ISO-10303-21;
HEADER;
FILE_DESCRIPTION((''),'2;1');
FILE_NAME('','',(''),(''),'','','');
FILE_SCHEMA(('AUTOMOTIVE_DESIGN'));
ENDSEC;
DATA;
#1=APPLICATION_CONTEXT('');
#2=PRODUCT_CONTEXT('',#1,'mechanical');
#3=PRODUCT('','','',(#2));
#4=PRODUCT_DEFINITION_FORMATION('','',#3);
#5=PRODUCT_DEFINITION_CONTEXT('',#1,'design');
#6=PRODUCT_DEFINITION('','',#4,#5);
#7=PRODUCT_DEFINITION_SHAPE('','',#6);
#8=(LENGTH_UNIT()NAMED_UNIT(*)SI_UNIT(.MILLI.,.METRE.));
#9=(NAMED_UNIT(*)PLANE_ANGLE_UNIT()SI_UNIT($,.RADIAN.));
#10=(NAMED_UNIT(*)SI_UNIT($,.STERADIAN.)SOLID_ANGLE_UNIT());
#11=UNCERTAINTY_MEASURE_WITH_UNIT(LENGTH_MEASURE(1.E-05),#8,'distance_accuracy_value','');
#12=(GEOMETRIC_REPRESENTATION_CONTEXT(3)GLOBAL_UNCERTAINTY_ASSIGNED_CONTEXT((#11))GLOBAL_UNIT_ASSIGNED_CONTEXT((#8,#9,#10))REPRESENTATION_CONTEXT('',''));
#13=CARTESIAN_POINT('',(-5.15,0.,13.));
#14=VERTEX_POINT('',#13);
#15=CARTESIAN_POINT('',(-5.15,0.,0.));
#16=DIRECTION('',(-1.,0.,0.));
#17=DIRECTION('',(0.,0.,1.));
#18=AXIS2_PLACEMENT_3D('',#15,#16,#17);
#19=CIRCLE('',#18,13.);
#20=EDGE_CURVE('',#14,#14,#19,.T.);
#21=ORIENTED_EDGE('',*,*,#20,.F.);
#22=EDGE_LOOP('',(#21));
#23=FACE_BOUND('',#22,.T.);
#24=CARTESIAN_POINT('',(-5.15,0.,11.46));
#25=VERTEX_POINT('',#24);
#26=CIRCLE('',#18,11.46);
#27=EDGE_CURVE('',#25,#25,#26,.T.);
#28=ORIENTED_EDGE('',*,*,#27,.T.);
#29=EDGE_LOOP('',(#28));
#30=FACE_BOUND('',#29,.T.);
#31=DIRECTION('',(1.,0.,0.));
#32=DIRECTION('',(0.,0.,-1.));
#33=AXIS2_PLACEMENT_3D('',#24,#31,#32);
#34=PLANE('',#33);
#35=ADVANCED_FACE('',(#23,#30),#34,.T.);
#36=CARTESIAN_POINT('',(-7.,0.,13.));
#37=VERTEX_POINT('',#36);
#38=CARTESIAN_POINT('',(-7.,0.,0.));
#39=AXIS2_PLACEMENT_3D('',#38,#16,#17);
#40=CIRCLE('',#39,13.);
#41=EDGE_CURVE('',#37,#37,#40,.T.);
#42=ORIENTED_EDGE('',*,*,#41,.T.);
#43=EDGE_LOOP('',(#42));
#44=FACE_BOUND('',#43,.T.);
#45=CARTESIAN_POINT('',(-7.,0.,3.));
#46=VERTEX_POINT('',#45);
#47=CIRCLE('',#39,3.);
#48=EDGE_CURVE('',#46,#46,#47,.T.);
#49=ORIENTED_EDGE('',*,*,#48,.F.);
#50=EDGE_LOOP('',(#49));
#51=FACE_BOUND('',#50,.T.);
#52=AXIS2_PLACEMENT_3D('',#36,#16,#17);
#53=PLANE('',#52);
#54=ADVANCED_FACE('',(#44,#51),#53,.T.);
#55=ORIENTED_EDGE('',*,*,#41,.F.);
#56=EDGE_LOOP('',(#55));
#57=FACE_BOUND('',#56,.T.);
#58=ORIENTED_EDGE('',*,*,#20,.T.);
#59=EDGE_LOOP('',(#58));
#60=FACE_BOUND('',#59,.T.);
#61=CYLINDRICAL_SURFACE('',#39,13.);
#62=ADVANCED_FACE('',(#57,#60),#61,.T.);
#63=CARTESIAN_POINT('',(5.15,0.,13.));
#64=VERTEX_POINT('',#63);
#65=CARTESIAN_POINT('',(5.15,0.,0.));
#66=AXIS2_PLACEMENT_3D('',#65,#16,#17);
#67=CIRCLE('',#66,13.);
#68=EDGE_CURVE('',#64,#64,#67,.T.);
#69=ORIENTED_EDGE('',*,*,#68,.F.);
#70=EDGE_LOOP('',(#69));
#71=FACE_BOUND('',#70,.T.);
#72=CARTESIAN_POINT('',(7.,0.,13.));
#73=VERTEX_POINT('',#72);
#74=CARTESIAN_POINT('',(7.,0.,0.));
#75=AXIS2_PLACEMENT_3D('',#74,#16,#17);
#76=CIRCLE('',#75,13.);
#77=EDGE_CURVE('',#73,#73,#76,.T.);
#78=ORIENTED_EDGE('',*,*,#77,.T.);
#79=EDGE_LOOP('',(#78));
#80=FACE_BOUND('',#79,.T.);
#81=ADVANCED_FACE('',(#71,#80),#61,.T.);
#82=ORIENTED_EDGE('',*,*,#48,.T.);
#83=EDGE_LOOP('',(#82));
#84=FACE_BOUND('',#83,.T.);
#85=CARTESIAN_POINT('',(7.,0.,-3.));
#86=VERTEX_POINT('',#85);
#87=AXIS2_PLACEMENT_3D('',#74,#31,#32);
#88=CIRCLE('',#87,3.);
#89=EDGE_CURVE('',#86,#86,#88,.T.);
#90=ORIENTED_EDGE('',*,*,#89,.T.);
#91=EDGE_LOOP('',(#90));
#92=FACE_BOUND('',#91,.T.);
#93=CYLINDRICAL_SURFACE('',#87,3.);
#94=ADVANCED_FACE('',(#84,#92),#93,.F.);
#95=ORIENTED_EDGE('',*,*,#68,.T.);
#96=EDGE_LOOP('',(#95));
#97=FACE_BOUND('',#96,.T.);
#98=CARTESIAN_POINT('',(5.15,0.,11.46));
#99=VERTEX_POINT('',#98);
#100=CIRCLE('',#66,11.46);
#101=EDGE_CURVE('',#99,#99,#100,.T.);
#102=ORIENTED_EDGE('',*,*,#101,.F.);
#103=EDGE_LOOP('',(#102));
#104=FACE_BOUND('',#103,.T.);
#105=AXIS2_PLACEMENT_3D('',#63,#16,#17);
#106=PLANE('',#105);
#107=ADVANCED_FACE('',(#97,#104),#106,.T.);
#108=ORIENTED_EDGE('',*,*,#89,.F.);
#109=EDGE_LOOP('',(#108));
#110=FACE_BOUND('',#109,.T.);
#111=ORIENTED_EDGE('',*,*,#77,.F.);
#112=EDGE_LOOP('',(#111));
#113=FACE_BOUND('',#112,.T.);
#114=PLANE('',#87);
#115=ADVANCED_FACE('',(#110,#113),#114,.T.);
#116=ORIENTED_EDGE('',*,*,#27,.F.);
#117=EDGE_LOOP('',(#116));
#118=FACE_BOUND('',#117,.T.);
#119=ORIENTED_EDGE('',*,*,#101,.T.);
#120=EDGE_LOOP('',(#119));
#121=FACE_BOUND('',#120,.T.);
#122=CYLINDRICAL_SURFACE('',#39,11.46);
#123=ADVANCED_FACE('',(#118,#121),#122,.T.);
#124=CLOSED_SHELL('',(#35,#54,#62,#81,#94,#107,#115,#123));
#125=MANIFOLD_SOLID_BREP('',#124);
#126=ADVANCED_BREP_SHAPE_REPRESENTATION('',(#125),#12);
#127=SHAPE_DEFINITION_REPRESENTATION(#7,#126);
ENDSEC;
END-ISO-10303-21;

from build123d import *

# Parameters (mm, degrees)
F_6_0_6_DIAMETER_HOLE2_D     = 6
F_6_0_6_DIAMETER_HOLE2_DEPTH = 24
F_6_0_6_DIAMETER_HOLE2_TIP   = 1.802581857


with BuildPart() as part:
    # Sketch1 → Revolve1 (revolve)
    with BuildSketch(Plane(origin=(0, 0, 0), x_dir=(1, 0, 0), z_dir=(0, 1, 0))):
        Polygon((0, -11.46), (-5.15, -11.46), (-5.15, -13), (-7, -13), (-7, 0), (7, 0), (7, -13), (5.15, -13), (5.15, -11.46), align=None)
    revolve(axis=Axis((-7, 0, 0), (1, 0, 0)))

    # Ø6.0 (6) Diameter Hole2
    with Locations(Plane(origin=(7, 0, 0), x_dir=(0, 0, -1), z_dir=(1, 0, 0))):
        with Locations((0, 0)):
            Hole(F_6_0_6_DIAMETER_HOLE2_D / 2, depth=F_6_0_6_DIAMETER_HOLE2_DEPTH)
            with Locations((0, 0, -(F_6_0_6_DIAMETER_HOLE2_DEPTH + F_6_0_6_DIAMETER_HOLE2_TIP / 2))):  # 118° drill point
                Cone(0, F_6_0_6_DIAMETER_HOLE2_D / 2, F_6_0_6_DIAMETER_HOLE2_TIP, mode=Mode.SUBTRACT)


solid = part.part
